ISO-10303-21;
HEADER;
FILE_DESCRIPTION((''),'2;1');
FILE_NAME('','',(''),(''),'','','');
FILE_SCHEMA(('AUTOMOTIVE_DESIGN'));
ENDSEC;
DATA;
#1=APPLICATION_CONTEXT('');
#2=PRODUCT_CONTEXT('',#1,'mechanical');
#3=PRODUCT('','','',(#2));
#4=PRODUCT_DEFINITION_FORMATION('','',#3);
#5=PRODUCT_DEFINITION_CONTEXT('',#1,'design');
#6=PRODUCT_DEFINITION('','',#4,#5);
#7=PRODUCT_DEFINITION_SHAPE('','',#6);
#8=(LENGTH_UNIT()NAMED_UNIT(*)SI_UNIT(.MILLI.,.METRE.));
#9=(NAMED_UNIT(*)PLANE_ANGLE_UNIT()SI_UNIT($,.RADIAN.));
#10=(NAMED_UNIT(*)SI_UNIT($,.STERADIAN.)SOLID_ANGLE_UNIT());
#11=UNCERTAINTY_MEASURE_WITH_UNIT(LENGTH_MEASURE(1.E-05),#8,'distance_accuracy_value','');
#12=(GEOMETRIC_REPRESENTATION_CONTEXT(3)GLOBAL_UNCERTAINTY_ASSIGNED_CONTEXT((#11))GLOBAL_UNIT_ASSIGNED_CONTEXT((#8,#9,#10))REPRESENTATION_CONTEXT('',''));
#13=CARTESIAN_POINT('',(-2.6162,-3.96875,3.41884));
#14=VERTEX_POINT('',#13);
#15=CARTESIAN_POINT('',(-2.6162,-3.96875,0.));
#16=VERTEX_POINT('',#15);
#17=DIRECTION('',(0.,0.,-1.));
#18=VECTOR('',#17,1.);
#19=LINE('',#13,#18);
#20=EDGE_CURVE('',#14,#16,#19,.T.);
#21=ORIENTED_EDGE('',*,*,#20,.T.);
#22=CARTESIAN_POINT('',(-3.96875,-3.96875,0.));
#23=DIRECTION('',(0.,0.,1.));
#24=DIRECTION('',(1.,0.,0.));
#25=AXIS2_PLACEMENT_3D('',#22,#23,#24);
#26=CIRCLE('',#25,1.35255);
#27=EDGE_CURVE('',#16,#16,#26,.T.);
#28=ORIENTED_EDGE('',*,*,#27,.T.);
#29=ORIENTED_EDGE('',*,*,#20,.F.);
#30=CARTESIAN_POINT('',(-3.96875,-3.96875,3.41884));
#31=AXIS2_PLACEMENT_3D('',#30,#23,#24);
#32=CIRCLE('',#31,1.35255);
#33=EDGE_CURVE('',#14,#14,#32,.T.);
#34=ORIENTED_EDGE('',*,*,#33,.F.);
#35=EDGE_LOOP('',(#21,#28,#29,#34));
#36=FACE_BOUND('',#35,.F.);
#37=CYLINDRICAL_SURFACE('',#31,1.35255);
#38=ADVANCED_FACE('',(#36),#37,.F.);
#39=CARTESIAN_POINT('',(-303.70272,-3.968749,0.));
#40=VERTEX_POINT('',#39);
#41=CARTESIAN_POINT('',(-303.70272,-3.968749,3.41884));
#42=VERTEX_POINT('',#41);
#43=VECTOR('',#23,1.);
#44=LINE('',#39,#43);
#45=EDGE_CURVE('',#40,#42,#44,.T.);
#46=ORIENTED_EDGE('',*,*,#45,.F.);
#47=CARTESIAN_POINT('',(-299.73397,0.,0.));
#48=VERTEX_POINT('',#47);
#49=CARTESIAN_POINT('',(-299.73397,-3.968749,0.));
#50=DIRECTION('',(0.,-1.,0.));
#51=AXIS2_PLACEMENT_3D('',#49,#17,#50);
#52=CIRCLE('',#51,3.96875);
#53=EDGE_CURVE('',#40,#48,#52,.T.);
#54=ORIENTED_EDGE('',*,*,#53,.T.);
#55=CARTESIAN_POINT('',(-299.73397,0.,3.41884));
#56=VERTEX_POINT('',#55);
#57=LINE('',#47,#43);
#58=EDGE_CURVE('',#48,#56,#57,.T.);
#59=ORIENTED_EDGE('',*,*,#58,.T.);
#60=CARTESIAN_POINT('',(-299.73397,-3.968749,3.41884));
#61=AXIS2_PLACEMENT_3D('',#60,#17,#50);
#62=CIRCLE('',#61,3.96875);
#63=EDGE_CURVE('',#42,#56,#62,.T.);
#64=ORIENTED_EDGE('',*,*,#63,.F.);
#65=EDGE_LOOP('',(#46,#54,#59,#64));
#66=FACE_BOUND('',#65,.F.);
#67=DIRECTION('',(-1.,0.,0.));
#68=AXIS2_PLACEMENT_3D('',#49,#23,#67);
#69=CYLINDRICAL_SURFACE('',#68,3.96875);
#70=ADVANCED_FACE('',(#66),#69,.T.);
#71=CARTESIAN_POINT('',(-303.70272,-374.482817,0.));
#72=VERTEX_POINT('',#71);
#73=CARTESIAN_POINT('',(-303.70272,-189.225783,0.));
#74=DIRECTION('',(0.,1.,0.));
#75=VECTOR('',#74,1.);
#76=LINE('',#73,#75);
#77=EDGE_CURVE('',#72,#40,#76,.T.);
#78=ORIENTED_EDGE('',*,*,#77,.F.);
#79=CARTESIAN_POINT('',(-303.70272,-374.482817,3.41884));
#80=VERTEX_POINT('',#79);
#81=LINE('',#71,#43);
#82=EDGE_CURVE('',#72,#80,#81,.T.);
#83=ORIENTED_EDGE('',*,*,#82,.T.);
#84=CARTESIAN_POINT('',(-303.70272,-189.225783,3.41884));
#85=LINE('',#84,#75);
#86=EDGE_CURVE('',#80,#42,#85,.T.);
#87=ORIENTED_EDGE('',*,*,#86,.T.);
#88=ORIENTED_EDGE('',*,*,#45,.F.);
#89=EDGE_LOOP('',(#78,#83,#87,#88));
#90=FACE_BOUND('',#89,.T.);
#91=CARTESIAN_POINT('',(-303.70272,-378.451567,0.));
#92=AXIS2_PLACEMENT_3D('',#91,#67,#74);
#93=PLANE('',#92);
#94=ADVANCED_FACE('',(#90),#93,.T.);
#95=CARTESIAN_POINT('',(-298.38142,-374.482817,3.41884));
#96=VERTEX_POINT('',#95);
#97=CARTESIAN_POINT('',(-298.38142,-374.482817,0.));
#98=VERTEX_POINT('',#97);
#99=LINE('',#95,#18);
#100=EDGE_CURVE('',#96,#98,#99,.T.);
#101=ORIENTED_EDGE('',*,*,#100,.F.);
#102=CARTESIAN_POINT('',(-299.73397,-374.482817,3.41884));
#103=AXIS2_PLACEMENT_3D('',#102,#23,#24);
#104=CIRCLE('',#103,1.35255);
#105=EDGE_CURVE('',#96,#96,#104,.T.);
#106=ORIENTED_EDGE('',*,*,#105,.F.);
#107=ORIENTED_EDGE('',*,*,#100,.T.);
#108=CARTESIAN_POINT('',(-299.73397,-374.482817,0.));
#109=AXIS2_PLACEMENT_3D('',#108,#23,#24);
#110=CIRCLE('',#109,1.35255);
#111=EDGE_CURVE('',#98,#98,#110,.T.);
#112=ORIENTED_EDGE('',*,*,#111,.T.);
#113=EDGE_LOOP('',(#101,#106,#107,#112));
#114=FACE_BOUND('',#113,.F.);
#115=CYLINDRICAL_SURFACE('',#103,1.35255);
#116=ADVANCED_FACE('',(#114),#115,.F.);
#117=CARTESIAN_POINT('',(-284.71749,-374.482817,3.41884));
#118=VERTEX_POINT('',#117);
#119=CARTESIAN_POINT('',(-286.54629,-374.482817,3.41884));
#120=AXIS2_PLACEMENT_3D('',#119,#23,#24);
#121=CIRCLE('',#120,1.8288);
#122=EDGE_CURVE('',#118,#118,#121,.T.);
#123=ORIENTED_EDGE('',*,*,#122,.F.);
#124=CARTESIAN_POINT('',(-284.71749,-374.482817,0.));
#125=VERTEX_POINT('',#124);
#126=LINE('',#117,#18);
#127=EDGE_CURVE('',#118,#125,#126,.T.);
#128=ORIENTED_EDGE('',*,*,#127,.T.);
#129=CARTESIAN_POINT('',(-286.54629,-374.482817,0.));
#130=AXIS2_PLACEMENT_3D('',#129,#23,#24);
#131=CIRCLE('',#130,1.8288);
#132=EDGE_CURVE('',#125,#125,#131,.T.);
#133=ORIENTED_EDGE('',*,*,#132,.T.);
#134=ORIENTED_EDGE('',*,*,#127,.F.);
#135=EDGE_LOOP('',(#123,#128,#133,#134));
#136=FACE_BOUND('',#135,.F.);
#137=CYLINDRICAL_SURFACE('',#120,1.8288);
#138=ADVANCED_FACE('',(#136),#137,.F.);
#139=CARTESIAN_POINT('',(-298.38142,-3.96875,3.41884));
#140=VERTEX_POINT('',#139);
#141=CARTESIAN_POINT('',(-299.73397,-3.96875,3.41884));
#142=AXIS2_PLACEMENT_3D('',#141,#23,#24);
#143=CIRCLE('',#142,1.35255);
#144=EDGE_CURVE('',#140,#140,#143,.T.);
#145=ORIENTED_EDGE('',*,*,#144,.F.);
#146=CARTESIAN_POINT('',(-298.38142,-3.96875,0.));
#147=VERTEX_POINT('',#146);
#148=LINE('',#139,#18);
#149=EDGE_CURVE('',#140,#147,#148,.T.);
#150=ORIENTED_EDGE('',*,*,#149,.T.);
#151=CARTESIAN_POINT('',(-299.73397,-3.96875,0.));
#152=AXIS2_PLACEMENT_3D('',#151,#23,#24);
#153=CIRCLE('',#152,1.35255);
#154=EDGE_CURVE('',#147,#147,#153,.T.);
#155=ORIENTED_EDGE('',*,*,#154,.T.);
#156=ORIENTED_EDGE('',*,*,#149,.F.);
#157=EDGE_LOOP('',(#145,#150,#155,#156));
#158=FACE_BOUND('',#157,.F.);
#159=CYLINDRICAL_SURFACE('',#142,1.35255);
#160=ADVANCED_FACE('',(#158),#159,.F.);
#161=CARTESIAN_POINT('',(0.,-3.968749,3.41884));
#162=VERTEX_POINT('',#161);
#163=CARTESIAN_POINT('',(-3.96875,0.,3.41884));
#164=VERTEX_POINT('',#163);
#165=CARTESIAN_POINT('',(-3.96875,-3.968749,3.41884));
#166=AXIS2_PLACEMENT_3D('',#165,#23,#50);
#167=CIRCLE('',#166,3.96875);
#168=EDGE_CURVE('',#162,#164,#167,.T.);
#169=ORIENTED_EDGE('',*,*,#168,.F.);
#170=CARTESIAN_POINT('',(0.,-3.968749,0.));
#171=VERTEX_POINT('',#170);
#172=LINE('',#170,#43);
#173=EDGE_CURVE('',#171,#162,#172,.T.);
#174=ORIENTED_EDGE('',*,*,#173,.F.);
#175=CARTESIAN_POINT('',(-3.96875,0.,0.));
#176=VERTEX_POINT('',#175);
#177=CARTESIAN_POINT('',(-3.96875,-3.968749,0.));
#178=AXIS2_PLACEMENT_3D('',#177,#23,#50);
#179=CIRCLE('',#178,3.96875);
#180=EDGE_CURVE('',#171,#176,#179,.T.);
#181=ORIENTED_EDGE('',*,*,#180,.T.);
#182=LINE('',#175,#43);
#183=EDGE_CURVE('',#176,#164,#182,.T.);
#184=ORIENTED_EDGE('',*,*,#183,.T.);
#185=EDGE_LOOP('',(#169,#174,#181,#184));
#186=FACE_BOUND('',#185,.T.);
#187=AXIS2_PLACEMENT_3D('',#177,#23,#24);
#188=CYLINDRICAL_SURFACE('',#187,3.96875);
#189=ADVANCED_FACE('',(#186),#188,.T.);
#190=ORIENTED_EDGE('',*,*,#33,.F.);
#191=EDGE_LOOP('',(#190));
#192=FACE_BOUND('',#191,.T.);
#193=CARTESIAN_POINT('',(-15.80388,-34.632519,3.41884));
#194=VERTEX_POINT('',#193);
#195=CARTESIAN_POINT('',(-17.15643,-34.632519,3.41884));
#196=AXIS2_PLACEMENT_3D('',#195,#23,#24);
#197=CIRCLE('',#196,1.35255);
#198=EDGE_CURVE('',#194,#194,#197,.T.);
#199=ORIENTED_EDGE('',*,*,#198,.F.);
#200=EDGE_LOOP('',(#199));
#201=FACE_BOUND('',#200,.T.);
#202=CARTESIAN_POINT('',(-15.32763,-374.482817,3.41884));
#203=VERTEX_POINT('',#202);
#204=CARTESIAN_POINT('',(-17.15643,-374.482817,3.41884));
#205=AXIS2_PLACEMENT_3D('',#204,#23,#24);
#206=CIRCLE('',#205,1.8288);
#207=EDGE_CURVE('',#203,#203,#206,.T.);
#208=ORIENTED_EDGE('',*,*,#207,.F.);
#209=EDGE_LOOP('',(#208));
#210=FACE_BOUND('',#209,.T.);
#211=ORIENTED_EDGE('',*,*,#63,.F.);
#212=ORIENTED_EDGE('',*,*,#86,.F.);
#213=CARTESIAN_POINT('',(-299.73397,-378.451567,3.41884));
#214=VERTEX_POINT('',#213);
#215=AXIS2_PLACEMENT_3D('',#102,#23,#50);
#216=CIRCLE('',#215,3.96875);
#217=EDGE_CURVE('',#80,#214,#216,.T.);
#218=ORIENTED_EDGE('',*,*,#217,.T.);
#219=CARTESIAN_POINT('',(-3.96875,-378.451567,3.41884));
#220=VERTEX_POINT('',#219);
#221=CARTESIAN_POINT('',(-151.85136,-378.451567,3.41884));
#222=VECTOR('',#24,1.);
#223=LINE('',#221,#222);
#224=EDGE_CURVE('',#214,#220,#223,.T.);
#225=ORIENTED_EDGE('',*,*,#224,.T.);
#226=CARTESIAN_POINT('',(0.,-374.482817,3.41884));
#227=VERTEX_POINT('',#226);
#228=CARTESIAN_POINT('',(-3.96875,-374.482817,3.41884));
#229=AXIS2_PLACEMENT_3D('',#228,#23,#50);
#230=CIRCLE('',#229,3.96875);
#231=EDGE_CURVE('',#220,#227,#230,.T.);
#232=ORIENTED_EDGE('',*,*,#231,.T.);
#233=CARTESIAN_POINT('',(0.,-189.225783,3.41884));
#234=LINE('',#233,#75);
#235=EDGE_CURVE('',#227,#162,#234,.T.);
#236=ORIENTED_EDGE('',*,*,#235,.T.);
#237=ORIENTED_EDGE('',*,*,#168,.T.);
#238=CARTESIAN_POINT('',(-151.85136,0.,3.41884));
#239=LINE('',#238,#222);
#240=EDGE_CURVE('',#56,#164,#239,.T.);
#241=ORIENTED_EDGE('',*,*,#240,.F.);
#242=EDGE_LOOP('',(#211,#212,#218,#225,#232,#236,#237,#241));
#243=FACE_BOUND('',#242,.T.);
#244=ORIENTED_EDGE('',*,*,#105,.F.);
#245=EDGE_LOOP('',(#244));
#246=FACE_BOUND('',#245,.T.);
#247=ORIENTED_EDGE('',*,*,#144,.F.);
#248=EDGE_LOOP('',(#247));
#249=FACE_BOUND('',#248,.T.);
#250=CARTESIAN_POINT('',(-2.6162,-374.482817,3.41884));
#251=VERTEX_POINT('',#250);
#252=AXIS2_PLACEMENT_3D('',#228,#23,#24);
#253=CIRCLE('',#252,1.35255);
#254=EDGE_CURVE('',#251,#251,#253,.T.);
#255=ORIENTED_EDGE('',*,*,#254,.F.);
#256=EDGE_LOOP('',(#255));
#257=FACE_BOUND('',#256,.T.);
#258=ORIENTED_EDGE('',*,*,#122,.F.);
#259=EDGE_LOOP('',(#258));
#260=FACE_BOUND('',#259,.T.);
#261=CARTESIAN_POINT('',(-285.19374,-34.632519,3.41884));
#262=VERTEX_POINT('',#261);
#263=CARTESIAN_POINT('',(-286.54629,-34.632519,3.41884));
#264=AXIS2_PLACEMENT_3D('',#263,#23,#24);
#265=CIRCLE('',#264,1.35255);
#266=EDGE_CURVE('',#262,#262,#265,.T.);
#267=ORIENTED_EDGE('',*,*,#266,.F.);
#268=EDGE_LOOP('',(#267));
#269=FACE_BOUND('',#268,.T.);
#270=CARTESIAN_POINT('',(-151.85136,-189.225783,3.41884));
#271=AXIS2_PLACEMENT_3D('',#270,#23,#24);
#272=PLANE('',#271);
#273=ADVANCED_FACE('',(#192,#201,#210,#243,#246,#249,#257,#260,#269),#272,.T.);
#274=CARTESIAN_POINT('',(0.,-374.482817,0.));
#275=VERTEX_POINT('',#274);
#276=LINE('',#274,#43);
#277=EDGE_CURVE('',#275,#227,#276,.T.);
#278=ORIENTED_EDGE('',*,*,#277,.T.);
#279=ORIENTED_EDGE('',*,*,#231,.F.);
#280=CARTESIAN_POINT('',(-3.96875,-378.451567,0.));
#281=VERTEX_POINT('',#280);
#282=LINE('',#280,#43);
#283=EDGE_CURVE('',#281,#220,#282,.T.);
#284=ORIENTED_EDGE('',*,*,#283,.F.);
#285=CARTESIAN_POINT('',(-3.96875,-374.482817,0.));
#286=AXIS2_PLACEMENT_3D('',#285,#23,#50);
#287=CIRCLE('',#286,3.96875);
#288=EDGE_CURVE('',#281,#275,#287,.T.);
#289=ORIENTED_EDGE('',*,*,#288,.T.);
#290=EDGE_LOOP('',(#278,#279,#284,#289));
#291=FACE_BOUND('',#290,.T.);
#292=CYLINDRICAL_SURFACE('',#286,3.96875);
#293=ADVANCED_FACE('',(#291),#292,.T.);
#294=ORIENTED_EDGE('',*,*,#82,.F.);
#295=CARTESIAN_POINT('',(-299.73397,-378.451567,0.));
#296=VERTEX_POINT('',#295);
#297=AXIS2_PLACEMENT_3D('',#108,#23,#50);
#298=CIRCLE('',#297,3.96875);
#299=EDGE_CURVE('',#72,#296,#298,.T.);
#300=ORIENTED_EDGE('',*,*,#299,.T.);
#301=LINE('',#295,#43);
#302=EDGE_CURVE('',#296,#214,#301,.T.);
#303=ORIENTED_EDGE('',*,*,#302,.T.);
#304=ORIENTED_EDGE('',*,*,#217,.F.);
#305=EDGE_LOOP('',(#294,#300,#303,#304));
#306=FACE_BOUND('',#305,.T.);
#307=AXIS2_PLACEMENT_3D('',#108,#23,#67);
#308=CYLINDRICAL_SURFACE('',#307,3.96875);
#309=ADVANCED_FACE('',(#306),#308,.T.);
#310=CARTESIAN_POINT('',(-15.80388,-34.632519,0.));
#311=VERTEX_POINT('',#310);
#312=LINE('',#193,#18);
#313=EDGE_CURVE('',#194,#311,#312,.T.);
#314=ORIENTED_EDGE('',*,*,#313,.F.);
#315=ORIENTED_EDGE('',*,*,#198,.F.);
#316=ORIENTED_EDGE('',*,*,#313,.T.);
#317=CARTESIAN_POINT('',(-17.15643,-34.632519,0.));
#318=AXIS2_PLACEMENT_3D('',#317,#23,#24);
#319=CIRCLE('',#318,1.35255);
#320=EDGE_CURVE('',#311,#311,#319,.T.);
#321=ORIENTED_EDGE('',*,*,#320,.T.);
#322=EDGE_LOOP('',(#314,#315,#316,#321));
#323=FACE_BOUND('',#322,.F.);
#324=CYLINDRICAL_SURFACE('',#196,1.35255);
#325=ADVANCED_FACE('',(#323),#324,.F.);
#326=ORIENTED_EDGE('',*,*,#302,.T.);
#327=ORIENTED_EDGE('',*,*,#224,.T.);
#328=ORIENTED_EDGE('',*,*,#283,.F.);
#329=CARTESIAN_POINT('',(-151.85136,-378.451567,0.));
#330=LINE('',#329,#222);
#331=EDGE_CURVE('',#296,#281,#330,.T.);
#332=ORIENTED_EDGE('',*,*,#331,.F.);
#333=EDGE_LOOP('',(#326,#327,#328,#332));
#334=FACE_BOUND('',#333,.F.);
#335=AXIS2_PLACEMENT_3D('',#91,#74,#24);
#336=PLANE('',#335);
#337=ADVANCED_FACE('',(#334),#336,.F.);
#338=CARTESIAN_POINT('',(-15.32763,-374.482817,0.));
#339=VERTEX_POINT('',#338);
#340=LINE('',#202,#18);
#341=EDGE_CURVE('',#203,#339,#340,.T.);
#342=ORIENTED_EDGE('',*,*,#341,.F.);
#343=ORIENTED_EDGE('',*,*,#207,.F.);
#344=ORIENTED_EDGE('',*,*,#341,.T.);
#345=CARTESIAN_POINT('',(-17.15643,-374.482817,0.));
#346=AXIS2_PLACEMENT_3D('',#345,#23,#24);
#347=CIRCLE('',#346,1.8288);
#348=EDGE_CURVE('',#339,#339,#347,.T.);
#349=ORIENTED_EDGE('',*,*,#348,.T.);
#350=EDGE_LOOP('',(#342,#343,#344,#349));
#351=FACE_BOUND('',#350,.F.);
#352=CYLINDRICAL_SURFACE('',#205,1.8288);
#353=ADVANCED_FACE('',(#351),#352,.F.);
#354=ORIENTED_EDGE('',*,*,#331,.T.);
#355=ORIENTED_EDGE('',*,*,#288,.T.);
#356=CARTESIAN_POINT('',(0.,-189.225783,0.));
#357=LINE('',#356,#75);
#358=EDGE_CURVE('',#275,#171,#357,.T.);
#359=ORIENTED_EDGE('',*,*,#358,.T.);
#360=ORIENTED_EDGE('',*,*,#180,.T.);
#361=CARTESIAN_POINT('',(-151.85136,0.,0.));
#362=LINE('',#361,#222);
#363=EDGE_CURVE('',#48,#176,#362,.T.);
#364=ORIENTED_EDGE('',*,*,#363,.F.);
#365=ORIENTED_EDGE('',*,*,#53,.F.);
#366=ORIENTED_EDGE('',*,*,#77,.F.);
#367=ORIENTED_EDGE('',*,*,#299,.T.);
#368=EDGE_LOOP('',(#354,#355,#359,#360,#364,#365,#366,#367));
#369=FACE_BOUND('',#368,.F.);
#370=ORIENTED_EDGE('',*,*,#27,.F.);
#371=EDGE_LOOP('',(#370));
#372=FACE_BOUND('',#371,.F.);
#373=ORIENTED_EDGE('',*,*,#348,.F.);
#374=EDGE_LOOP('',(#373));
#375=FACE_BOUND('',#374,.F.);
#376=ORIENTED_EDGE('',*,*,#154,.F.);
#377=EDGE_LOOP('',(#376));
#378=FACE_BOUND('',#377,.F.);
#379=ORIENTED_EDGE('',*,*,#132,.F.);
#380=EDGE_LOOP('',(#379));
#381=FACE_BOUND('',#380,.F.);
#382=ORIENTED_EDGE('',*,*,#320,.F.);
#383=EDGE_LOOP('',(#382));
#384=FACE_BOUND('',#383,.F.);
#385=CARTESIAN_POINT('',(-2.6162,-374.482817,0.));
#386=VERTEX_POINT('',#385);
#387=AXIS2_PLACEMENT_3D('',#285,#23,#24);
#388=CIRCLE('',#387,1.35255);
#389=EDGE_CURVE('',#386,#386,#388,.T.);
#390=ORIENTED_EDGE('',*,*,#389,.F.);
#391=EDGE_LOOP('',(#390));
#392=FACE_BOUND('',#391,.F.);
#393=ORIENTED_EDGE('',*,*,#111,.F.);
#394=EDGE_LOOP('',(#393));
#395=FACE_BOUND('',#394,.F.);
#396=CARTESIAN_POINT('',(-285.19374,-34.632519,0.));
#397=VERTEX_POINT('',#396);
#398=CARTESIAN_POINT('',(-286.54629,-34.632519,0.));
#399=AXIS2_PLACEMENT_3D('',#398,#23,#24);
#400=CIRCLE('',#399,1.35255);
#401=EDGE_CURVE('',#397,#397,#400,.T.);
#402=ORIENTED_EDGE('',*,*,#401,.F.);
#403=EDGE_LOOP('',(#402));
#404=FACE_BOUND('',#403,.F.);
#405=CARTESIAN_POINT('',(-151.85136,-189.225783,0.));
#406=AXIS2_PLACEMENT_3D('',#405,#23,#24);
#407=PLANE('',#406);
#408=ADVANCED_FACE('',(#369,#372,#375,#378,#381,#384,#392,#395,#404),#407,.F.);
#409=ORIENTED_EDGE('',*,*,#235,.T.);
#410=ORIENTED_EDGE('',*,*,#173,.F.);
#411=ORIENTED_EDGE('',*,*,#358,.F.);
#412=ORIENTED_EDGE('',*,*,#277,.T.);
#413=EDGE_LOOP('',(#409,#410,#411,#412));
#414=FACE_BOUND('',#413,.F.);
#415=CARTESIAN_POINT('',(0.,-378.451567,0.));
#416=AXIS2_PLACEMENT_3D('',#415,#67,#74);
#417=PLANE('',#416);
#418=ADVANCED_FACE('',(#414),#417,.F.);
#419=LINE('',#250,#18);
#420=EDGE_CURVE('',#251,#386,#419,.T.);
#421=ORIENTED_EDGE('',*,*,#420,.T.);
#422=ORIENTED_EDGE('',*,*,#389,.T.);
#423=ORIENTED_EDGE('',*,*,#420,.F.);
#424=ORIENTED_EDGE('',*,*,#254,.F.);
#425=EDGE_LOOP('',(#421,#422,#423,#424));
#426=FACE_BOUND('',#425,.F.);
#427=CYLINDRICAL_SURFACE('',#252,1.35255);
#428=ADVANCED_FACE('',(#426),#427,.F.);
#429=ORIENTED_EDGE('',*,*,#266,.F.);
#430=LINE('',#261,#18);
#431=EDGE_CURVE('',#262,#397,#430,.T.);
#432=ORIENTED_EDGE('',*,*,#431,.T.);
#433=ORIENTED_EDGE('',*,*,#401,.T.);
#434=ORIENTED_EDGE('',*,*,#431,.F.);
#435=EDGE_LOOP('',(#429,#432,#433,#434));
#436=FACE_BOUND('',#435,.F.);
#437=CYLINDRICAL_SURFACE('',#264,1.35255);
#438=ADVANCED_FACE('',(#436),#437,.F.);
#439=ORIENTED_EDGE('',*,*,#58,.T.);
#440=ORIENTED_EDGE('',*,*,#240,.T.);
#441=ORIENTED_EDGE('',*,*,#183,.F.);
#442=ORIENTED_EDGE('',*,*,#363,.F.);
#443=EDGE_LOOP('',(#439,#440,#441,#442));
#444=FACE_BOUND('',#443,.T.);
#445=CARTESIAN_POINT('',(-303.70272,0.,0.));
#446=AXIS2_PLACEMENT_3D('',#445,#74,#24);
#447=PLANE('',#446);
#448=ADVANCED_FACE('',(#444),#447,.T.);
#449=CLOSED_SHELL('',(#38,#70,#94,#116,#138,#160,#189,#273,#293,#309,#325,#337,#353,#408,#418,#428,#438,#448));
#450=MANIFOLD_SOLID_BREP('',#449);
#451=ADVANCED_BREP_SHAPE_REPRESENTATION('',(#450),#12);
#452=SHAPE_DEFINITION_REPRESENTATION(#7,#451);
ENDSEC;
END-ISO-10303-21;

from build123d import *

# Parameters (mm, degrees)
F0_W     = 303.70272
F0_H     = 378.451567
F1_DEPTH = 3.41884
F2_R     = 3.96875
F3_R     = 1.35255
F4_DEPTH = 3.41884
F5_R     = 1.8288
F6_DEPTH = 3.41884


with BuildPart() as f1:
    # F0 (on Top) → F1 (new body)
    with BuildSketch(Plane.XY):
        with Locations((-151.85136, -189.225783)):
            Rectangle(F0_W, F0_H)
    extrude(amount=F1_DEPTH)

    # F2
    f2_edges = [f1.edges().sort_by_distance(p)[0] for p in [
        (-303.70272, 0, 1.70942),
        (-303.70272, -378.451567, 1.70942),
        (0, -378.451567, 1.70942),
        (0, 0, 1.70942),
    ]]
    fillet(f2_edges, radius=F2_R)

    # F3 (on face) → F4 (cut, through all)
    with BuildSketch(Plane.XY.offset(3.41884)):
        with Locations((-299.73397, -3.96875)):
            Circle(F3_R)
        with Locations((-3.96875, -3.96875)):
            Circle(F3_R)
        with Locations((-299.73397, -374.482817)):
            Circle(F3_R)
        with Locations((-3.96875, -374.482817)):
            Circle(F3_R)
        with Locations((-286.54629, -34.632519)):
            Circle(F3_R)
        with Locations((-17.15643, -34.632519)):
            Circle(F3_R)
    extrude(amount=-F4_DEPTH, mode=Mode.SUBTRACT)

    # F5 (on face) → F6 (cut, through all)
    with BuildSketch(Plane.XY.offset(3.41884)):
        with Locations((-286.54629, -374.482817)):
            Circle(F5_R)
        with Locations((-17.15643, -374.482817)):
            Circle(F5_R)
    extrude(amount=-F6_DEPTH, mode=Mode.SUBTRACT)


solid = f1.part
